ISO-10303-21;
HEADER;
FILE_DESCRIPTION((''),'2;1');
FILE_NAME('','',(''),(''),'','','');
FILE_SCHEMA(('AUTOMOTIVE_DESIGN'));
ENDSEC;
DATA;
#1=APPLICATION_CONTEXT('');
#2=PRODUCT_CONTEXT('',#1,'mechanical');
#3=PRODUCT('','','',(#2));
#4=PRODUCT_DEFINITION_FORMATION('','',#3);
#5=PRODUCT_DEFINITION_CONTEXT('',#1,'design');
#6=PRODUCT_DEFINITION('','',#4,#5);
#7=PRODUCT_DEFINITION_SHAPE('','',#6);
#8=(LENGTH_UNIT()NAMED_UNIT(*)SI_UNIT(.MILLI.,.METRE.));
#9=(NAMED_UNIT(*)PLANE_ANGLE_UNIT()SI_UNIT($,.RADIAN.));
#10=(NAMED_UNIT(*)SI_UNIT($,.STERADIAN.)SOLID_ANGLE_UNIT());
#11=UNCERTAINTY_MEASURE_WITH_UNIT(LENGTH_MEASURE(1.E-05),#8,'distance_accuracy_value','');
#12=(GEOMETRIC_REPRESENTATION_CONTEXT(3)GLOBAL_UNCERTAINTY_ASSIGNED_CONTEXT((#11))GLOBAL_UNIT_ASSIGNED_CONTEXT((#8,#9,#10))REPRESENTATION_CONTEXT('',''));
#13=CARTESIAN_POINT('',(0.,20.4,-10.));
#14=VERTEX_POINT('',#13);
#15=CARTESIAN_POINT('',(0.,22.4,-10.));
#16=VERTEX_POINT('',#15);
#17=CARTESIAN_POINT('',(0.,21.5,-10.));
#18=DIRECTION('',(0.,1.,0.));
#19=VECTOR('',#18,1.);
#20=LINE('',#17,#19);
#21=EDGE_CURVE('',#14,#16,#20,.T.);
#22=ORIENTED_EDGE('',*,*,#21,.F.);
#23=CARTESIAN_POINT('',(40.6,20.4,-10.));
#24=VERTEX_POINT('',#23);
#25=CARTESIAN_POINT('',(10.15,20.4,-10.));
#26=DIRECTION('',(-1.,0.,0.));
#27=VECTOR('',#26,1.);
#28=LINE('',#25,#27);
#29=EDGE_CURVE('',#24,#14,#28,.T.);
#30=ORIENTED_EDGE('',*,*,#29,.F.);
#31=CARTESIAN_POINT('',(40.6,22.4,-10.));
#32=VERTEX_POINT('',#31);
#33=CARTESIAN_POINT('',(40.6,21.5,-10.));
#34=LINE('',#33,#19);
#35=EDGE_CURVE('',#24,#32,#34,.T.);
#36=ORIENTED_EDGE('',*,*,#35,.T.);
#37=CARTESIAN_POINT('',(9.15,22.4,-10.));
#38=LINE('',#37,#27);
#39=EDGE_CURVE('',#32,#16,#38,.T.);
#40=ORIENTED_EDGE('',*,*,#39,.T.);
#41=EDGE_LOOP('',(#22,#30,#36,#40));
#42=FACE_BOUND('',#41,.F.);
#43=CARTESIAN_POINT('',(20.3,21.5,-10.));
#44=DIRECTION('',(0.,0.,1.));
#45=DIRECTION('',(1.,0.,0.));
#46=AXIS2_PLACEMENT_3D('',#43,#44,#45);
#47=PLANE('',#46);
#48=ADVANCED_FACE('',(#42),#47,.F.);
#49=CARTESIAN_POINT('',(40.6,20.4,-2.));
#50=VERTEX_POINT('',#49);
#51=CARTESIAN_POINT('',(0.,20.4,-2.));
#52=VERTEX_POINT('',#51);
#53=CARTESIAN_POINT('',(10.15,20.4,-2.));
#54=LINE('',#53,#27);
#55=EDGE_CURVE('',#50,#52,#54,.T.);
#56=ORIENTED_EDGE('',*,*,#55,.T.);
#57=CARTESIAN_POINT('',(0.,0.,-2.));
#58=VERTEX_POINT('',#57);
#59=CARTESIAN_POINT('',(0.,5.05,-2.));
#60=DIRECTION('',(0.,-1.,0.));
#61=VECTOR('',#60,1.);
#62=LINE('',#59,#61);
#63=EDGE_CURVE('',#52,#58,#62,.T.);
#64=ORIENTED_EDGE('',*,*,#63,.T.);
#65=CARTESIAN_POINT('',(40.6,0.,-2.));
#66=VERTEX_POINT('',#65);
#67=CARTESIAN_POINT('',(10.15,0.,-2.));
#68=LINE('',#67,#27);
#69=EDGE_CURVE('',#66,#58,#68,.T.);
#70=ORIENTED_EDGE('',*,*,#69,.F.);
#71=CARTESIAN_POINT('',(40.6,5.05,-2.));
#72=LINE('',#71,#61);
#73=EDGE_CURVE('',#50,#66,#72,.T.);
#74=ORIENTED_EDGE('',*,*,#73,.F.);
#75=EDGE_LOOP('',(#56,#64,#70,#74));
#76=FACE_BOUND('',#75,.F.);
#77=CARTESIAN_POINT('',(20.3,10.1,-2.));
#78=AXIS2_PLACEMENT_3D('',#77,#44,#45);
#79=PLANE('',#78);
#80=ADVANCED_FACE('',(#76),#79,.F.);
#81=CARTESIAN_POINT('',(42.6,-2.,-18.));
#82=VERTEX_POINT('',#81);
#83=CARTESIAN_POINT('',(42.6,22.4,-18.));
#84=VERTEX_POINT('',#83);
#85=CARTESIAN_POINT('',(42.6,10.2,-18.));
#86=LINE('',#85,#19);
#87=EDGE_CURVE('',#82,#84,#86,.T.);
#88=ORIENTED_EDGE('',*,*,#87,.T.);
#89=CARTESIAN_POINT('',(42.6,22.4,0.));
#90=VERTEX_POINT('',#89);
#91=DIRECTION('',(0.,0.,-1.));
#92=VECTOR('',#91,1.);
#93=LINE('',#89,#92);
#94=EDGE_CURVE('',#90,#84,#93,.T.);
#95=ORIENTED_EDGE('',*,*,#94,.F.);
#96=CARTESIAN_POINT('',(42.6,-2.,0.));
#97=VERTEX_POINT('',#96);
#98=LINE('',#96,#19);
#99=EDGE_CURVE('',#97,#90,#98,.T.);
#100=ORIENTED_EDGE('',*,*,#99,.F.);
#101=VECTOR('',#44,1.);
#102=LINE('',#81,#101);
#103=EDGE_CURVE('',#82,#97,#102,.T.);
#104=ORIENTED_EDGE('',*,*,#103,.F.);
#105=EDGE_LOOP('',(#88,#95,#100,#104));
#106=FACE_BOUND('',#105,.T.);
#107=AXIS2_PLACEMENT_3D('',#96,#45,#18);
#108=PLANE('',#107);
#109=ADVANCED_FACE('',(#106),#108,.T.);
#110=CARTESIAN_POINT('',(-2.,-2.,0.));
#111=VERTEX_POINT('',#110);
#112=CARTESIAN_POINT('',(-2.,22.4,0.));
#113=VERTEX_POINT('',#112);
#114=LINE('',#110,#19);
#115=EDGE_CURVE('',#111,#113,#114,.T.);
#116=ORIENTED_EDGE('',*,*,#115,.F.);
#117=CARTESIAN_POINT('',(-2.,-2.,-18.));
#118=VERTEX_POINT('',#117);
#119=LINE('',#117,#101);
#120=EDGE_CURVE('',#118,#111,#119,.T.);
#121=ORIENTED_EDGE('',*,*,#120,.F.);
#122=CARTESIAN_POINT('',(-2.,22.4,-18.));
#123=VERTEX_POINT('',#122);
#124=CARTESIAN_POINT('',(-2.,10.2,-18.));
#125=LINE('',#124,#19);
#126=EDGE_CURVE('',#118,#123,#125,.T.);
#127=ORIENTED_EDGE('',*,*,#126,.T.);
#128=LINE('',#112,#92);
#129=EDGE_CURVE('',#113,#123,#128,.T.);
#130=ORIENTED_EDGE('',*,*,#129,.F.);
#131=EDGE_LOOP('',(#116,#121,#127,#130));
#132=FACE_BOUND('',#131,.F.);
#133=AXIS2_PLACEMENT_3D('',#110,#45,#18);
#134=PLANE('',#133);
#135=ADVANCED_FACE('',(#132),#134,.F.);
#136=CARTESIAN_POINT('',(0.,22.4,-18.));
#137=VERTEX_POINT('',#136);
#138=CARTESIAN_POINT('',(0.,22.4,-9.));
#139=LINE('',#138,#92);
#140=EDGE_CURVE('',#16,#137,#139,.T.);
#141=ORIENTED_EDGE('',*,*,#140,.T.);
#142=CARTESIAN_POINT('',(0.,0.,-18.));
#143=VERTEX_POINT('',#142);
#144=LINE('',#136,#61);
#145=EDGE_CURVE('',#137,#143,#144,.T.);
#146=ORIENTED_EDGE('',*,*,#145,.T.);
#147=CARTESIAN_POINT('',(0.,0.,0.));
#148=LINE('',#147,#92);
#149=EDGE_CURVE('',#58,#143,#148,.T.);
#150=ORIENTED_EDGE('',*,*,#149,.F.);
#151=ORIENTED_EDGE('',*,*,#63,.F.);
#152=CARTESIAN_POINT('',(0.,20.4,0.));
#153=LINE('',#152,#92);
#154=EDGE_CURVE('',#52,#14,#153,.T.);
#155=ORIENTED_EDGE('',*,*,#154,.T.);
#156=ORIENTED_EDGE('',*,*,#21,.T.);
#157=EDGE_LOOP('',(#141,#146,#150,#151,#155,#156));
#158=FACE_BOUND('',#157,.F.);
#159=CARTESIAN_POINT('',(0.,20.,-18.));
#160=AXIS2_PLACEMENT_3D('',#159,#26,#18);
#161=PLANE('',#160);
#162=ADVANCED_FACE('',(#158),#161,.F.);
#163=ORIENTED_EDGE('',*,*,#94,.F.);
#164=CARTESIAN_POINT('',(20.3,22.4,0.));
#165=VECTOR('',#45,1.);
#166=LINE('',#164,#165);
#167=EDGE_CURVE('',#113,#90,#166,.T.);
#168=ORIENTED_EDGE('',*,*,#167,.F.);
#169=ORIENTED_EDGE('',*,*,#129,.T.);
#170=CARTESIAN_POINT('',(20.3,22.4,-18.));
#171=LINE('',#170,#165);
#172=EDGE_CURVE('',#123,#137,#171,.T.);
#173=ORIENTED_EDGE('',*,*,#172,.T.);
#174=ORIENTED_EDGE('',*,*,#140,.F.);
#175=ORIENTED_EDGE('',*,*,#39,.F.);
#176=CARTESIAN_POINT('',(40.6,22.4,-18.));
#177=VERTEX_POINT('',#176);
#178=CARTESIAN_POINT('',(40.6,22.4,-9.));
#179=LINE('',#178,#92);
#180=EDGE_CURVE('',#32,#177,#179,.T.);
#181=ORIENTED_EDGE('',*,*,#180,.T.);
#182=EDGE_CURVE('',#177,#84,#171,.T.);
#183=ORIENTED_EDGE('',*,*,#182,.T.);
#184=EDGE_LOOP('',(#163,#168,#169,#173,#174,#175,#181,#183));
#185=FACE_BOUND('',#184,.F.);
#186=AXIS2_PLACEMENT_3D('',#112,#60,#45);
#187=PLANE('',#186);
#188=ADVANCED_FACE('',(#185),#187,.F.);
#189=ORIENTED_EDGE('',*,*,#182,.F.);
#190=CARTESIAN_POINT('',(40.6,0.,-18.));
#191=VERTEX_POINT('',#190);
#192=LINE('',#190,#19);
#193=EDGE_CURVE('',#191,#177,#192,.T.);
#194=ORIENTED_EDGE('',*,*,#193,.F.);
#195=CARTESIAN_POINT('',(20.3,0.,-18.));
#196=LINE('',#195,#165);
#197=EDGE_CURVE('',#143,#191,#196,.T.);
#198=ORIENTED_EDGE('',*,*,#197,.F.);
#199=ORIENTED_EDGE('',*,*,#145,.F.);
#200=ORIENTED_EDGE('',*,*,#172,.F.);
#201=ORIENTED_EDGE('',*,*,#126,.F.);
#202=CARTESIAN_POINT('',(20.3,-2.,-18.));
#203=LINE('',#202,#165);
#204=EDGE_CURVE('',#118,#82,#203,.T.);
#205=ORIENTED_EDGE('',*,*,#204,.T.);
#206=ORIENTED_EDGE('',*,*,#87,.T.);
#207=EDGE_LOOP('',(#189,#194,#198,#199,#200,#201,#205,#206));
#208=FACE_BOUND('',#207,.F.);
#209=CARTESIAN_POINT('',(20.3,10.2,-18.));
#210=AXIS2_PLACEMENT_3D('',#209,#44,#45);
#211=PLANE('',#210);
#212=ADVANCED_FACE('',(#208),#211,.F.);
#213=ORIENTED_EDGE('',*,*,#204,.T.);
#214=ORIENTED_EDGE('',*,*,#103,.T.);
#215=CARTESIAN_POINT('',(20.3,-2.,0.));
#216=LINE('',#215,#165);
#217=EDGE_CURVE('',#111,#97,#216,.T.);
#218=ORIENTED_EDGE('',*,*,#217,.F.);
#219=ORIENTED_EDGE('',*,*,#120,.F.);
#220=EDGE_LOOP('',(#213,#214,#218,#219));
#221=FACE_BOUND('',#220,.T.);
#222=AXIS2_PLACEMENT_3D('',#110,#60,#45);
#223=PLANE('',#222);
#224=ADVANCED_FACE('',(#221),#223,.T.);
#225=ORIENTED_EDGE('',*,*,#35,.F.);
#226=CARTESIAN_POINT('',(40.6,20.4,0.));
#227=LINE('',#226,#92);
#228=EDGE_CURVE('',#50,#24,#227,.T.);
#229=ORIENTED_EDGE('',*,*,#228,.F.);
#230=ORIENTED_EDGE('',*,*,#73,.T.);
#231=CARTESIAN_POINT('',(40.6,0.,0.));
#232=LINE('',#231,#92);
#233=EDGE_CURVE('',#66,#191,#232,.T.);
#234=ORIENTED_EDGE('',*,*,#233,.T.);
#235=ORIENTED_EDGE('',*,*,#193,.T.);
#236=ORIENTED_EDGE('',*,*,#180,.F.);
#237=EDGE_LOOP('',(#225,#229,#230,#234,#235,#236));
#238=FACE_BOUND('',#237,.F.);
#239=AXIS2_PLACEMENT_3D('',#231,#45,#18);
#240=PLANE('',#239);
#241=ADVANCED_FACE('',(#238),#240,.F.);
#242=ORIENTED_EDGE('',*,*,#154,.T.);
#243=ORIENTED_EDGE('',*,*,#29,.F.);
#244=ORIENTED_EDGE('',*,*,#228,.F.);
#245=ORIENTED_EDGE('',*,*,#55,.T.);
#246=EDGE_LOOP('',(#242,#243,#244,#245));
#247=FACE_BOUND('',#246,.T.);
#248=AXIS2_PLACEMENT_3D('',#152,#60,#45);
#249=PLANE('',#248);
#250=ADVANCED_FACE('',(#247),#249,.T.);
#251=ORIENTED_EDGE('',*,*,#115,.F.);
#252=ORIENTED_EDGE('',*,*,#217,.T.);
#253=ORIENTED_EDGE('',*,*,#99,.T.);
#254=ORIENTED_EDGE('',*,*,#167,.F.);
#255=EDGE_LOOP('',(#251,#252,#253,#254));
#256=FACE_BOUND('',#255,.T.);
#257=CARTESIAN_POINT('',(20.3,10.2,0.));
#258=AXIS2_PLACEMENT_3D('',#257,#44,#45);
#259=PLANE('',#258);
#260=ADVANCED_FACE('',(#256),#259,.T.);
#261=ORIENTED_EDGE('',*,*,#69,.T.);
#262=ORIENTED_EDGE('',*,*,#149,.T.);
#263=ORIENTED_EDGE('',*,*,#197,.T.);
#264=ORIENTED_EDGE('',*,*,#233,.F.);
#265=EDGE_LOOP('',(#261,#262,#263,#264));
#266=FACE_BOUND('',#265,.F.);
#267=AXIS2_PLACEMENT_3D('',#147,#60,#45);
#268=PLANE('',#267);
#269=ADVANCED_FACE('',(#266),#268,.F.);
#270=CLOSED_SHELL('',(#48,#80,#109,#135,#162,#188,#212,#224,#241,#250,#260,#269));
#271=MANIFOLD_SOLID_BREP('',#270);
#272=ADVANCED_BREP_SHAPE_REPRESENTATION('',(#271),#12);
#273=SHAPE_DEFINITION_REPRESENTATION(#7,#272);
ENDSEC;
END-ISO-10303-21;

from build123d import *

# Parameters (mm, degrees)
SKETCH007_W   = 44.6
SKETCH007_H   = 24.4
SKETCH007_W_2 = 40.6
SKETCH007_H_2 = 20.4
PAD006_DEPTH  = 18
BOX001_W      = 44.6
BOX001_H      = 24.2
BOX001_DEPTH  = 2
BOX002_W      = 40.6
BOX002_H      = 3
BOX002_DEPTH  = 8


with BuildPart() as part:
    # Sketch007 → Pad006 (new body)
    with BuildSketch(Plane.XY):
        with Locations((20.3, 10.2)):
            Rectangle(SKETCH007_W, SKETCH007_H)
        with Locations((20.3, 10.2)):
            Rectangle(SKETCH007_W_2, SKETCH007_H_2, mode=Mode.SUBTRACT)
    extrude(amount=-PAD006_DEPTH)

    # Box001 → Box001 (join)
    with BuildSketch(Plane(origin=(-2, -2, -2), x_dir=(1, 0, 0), z_dir=(0, 0, 1))):
        with Locations((22.3, 12.1)):
            Rectangle(BOX001_W, BOX001_H)
    extrude(amount=BOX001_DEPTH)

    # Box002 → Box002 (cut)
    with BuildSketch(Plane(origin=(0, 20, -18), x_dir=(1, 0, 0), z_dir=(0, 0, 1))):
        with Locations((20.3, 1.5)):
            Rectangle(BOX002_W, BOX002_H)
    extrude(amount=BOX002_DEPTH, mode=Mode.SUBTRACT)


solid = part.part
